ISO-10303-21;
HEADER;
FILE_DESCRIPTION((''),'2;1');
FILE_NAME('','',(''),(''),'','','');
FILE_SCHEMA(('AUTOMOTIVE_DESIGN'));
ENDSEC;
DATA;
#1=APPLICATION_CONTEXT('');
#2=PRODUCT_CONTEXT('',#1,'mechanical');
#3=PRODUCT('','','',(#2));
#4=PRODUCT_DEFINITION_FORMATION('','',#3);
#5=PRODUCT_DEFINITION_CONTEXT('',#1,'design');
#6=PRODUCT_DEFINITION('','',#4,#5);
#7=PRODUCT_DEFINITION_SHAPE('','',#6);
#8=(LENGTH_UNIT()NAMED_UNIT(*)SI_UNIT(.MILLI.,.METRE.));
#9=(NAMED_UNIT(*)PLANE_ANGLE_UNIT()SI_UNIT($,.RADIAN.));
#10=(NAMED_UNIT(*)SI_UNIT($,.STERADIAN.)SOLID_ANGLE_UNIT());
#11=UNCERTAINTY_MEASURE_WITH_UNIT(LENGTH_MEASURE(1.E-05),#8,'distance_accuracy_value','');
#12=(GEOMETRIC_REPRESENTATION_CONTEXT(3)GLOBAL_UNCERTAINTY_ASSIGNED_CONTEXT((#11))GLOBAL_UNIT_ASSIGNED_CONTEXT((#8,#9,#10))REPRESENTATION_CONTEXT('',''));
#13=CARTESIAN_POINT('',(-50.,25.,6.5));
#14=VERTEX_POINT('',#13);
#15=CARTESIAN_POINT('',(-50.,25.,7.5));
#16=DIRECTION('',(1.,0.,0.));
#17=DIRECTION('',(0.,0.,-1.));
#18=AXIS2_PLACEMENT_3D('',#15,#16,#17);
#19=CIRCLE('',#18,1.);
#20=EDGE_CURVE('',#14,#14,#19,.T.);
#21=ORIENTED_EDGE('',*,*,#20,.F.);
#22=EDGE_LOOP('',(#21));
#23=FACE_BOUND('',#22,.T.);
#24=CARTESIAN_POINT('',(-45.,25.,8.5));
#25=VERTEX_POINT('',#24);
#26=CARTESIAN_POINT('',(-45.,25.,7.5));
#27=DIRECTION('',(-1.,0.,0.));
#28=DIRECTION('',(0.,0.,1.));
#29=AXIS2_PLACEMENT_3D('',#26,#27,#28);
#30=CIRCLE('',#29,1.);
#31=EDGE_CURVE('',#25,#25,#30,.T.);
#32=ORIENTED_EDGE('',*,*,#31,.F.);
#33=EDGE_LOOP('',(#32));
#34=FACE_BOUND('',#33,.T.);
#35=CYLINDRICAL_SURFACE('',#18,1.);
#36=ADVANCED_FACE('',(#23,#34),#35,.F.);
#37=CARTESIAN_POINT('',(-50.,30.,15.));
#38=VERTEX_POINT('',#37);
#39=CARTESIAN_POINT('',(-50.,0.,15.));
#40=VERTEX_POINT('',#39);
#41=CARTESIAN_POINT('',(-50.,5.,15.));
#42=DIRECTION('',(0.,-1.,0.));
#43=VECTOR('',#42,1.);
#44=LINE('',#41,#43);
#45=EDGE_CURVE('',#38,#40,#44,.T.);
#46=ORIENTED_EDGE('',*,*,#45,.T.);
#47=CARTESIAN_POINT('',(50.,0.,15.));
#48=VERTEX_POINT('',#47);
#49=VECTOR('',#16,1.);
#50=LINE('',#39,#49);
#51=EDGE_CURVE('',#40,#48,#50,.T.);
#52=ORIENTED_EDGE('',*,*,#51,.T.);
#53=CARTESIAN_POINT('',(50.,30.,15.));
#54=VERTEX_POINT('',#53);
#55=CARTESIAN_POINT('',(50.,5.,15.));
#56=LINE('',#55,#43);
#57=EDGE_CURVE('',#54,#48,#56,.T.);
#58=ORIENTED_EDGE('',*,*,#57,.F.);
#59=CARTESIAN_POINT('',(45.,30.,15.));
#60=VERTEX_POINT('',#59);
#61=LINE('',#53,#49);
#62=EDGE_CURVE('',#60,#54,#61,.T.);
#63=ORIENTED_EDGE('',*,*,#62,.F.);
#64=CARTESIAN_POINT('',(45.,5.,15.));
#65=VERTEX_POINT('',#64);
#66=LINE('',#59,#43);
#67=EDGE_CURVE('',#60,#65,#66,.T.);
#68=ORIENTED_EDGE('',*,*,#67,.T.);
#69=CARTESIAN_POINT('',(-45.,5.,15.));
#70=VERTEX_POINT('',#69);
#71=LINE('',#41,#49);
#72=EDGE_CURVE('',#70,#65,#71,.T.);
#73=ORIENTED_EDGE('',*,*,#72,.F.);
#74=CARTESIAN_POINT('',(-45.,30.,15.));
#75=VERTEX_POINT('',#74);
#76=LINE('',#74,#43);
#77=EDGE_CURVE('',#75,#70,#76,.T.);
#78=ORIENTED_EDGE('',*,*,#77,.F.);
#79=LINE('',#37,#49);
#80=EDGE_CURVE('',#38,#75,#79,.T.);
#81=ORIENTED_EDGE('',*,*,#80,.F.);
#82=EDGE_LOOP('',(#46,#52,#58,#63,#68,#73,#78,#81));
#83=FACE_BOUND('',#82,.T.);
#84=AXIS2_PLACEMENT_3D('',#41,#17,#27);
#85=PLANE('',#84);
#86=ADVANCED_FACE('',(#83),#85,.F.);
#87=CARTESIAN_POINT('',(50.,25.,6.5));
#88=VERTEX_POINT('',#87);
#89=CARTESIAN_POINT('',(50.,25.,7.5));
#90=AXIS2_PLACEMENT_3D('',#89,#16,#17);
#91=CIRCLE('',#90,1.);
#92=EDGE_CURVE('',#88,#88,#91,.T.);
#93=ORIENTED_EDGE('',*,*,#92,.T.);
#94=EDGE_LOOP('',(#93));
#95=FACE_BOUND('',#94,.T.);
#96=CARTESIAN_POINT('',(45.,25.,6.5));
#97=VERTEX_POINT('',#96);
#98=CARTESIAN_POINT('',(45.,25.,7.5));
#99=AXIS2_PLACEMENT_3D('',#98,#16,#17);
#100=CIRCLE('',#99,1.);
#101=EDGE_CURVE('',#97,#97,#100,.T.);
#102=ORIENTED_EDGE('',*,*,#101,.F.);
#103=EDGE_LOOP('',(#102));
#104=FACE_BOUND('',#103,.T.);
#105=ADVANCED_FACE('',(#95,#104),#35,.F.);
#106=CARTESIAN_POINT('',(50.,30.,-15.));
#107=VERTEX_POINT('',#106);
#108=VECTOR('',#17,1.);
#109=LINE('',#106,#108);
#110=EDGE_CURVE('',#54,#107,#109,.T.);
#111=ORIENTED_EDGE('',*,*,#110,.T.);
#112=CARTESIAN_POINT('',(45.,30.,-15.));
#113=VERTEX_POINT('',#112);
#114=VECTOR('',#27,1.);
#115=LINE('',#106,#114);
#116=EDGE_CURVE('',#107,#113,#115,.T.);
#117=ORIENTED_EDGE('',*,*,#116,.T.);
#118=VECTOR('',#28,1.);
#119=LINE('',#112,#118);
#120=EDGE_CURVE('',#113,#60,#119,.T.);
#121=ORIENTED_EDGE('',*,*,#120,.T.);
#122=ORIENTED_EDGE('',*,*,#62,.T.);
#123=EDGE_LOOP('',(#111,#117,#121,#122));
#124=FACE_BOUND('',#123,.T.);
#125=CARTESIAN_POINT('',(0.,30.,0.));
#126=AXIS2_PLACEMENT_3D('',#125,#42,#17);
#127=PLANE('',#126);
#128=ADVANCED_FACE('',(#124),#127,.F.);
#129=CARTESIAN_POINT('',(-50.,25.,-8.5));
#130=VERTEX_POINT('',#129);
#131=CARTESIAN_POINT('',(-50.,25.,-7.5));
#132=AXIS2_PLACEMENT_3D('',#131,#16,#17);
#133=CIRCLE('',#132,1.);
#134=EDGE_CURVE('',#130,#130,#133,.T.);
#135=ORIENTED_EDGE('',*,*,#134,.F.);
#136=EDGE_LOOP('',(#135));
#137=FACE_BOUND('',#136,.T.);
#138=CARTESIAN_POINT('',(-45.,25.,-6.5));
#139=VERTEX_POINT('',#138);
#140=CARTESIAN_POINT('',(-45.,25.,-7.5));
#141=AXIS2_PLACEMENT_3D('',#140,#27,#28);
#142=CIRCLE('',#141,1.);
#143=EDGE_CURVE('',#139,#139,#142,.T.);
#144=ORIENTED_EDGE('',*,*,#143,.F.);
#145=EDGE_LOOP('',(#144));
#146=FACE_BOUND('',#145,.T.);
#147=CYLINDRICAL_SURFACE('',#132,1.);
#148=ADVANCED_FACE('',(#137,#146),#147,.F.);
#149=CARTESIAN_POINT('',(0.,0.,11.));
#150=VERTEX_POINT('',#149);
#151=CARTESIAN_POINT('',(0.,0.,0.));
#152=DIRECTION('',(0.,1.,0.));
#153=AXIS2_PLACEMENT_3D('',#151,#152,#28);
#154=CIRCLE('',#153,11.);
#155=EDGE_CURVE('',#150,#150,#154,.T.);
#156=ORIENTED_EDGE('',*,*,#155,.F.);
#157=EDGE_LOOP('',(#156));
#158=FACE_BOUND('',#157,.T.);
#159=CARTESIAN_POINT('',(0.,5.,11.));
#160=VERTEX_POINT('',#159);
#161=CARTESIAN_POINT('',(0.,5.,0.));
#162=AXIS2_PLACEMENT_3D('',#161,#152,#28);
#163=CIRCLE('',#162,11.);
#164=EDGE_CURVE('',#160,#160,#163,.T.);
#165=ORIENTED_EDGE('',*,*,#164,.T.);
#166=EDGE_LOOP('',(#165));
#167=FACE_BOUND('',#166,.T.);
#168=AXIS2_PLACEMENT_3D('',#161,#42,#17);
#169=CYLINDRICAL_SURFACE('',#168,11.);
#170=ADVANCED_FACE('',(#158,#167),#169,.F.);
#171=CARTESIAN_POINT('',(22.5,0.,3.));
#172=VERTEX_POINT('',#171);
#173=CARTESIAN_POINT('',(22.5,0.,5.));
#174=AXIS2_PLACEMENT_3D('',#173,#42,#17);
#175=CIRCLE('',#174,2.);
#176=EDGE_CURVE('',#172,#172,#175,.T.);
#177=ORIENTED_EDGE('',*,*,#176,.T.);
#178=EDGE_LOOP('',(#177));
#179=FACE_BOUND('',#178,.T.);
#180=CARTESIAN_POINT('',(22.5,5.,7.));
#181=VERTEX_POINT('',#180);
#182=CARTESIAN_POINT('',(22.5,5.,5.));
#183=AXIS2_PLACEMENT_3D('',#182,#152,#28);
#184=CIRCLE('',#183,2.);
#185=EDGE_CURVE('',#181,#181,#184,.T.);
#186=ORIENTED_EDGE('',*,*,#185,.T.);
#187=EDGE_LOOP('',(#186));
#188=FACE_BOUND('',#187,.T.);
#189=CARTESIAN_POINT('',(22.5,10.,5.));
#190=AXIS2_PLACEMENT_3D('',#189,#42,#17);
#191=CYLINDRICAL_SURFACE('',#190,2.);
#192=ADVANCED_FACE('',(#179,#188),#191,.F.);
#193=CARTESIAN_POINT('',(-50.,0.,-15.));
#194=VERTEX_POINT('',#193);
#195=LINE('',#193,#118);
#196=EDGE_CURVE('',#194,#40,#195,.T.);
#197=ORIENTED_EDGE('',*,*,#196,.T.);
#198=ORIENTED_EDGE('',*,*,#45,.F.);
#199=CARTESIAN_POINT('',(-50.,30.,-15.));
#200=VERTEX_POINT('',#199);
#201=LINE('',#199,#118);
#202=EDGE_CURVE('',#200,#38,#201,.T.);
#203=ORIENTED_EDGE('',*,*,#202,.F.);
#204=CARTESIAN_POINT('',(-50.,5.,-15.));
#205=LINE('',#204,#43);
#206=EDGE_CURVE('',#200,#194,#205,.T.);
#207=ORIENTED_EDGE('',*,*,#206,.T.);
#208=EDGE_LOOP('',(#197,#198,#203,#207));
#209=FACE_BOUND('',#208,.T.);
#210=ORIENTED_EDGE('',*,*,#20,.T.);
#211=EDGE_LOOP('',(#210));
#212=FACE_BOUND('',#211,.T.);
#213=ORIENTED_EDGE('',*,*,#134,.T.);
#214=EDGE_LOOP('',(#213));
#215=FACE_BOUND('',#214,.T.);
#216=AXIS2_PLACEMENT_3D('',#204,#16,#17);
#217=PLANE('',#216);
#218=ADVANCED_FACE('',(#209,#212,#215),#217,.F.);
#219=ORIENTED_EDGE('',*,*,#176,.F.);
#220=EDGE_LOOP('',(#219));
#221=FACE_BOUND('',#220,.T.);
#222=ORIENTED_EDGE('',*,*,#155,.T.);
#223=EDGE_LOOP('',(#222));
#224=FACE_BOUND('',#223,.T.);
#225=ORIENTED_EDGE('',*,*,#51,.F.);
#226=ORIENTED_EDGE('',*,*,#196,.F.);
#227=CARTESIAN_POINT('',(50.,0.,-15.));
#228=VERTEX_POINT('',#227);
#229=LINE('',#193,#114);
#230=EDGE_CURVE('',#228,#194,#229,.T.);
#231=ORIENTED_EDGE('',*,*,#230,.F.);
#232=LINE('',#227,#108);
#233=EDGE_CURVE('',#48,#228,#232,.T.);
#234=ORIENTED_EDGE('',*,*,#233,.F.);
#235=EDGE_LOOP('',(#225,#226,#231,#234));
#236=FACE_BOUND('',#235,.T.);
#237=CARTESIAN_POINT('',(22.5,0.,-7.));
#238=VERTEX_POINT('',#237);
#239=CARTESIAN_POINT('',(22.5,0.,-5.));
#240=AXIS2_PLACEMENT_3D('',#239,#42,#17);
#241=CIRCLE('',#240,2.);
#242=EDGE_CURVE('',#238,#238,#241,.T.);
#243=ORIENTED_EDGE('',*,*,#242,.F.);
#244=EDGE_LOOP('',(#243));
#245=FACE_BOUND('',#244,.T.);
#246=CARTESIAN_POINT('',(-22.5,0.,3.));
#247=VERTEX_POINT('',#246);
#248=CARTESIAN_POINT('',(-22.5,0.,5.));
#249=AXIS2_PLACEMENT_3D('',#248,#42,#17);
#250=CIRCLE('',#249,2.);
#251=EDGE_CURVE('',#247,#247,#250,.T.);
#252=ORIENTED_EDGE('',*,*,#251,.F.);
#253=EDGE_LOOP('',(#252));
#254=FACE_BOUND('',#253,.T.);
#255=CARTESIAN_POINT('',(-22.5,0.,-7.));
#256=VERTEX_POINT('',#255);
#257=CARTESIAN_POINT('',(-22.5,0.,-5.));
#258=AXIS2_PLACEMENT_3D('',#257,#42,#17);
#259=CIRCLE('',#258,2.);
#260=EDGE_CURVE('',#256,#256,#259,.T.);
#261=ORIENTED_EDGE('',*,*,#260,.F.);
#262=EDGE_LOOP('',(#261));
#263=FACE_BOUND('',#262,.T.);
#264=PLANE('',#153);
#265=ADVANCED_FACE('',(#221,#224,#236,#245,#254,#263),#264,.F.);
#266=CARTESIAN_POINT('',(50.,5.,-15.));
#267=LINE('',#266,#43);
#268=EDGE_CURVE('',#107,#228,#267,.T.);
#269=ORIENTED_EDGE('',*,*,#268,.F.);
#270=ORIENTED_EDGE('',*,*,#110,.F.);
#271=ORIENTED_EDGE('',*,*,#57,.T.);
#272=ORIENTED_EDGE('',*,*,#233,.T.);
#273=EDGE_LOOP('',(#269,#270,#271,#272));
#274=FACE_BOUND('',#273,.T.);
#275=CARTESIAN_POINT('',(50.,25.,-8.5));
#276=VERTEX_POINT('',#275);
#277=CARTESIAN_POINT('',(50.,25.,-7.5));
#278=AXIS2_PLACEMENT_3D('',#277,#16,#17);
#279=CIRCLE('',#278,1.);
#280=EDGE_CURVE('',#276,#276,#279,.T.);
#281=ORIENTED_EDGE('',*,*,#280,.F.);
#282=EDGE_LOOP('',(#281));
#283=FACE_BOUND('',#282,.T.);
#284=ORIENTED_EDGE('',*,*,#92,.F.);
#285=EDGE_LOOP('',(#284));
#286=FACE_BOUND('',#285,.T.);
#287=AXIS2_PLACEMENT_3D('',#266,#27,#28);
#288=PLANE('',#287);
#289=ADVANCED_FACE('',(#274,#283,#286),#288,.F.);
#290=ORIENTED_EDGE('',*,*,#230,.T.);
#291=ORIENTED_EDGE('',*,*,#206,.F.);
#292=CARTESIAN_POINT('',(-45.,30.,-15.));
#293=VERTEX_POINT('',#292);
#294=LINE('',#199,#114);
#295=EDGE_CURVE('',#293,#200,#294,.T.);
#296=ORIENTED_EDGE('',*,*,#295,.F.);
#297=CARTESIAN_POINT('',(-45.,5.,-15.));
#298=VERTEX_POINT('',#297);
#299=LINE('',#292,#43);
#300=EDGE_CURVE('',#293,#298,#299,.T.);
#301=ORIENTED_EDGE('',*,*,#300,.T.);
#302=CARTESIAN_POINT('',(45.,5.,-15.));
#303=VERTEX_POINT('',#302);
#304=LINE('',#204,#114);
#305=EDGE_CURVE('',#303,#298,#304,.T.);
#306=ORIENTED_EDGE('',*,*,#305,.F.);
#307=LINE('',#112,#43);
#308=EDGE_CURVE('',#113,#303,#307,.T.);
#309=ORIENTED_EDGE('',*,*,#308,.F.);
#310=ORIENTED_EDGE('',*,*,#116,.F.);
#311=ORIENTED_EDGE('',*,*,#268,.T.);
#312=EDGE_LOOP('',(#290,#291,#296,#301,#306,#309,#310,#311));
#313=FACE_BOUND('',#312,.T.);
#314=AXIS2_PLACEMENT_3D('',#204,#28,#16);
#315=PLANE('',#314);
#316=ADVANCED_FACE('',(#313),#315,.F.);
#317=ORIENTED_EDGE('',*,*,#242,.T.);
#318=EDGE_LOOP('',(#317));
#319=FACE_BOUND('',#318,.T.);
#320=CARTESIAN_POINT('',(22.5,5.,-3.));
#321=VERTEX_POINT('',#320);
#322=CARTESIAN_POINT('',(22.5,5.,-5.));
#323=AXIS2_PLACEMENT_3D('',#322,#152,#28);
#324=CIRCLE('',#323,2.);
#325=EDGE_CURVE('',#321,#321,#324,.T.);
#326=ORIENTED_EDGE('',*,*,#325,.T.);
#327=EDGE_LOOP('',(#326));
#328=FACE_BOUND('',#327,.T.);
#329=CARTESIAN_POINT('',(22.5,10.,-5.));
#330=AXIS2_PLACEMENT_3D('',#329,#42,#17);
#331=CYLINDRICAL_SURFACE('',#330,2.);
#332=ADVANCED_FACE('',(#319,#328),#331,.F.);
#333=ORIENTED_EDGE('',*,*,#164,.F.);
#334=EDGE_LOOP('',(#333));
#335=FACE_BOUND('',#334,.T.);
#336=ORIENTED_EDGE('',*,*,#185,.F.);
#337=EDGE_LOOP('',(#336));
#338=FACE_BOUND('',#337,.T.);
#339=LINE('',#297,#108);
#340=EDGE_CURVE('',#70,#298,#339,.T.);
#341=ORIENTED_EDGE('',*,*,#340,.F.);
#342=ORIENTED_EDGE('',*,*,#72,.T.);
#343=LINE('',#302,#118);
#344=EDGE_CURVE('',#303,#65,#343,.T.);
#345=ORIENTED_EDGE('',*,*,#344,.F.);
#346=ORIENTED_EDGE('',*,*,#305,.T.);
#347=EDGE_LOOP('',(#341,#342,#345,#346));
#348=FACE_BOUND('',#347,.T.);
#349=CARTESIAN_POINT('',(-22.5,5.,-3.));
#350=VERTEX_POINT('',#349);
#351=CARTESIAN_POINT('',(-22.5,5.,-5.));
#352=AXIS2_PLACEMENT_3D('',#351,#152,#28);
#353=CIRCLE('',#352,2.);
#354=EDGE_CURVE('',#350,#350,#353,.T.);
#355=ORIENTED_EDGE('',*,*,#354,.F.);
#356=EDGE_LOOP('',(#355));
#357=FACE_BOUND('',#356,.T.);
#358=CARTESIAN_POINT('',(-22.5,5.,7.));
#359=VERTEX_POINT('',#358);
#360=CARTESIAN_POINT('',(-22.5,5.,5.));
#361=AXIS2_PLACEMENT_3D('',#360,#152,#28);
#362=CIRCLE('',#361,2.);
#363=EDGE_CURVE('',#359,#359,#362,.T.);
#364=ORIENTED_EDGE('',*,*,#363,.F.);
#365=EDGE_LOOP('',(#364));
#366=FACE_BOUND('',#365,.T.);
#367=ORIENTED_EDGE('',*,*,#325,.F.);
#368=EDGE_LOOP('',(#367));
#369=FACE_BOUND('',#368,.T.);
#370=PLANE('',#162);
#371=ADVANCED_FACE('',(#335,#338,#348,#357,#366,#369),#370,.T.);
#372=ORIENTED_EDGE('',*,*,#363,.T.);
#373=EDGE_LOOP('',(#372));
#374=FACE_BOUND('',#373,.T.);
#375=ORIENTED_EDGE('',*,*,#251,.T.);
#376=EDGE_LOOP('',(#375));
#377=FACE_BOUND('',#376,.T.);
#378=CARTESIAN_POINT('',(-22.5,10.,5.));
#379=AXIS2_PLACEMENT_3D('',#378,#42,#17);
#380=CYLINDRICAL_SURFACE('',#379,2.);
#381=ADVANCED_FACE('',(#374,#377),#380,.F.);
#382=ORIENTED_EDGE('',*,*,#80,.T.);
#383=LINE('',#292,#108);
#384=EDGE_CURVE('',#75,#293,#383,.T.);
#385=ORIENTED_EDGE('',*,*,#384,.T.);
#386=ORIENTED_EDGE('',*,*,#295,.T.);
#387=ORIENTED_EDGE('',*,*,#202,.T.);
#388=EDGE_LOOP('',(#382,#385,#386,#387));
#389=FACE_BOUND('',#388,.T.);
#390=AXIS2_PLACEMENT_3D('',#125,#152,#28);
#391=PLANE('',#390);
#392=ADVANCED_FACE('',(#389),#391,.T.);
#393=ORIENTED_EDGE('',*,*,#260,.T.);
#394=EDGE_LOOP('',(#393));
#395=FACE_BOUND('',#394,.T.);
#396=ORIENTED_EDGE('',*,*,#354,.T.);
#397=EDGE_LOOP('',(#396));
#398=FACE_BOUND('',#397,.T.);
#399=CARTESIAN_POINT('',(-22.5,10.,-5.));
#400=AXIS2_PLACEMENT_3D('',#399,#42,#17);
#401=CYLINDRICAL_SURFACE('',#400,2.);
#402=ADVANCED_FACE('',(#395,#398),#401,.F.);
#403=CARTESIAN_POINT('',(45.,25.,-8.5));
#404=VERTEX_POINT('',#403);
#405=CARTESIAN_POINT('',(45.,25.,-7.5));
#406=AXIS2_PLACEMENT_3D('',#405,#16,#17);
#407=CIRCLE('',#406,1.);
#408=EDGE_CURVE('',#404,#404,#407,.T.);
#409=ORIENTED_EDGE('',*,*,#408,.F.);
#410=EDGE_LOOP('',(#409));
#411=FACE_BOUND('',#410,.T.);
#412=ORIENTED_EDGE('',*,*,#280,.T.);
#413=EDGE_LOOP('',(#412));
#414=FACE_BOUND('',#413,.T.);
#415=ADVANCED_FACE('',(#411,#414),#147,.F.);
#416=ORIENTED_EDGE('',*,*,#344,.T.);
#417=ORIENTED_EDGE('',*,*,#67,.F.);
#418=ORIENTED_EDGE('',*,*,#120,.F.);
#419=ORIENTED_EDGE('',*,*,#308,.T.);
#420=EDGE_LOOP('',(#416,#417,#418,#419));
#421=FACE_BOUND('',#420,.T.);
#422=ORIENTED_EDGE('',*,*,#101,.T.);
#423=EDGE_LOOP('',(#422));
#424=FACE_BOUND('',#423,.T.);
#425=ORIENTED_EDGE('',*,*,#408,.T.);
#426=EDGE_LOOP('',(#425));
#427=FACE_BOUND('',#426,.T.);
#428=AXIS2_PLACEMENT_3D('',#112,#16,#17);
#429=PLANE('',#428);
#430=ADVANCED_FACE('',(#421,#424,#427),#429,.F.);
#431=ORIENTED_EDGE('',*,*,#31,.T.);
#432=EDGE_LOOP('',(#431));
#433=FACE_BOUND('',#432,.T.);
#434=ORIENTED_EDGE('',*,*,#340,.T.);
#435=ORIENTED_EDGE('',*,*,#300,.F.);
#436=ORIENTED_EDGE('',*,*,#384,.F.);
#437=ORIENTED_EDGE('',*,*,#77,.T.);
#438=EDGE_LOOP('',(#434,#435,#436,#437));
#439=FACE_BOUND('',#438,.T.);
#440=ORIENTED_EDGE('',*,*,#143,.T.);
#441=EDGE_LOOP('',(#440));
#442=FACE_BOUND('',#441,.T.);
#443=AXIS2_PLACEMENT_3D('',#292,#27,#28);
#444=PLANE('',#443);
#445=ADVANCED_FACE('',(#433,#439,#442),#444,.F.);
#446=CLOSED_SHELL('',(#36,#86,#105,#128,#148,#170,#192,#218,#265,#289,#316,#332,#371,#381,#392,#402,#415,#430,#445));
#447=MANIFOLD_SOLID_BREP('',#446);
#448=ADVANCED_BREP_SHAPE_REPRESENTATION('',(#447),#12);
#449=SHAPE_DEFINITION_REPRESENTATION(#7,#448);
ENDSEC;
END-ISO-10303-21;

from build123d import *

# Parameters (mm, degrees)
SKETCH2_W           = 100
SKETCH2_H           = 30
SKETCH2_R           = 11
BOSS_EXTRUDE1_DEPTH = 5
SKETCH3_W           = 5
SKETCH3_H           = 30
BOSS_EXTRUDE2_DEPTH = 25
SKETCH4_R           = 1
CUT_EXTRUDE1_DEPTH  = 106.475115549
SKETCH5_R           = 2
CUT_EXTRUDE2_DEPTH  = 10


with BuildPart() as part:
    # Sketch2 → Boss-Extrude1 (new body)
    with BuildSketch(Plane(origin=(0, 0, 0), x_dir=(1, 0, 0), z_dir=(0, 1, 0))):
        Rectangle(SKETCH2_W, SKETCH2_H)
        with Locations(Location((0, 0, 0), (0, 0, 270))):
            Circle(SKETCH2_R, mode=Mode.SUBTRACT)
    extrude(amount=BOSS_EXTRUDE1_DEPTH)

    # Sketch3 → Boss-Extrude2 (add)
    with BuildSketch(Plane(origin=(0, 5, 0), x_dir=(1, 0, 0), z_dir=(0, 1, 0))):
        with Locations((-47.5, 0)):
            Rectangle(SKETCH3_W, SKETCH3_H)
        with Locations((47.5, 0)):
            Rectangle(SKETCH3_W, SKETCH3_H)
    extrude(amount=BOSS_EXTRUDE2_DEPTH)

    # Sketch4 → Cut-Extrude1 (cut, through all)
    with BuildSketch(Plane(origin=(50, 0, 0), x_dir=(0, 0, -1), z_dir=(1, 0, 0))):
        with Locations((-7.5, 25)):
            Circle(SKETCH4_R)
        with Locations((7.5, 25)):
            Circle(SKETCH4_R)
    extrude(amount=-CUT_EXTRUDE1_DEPTH, mode=Mode.SUBTRACT)

    # Sketch5 → Cut-Extrude2 (cut)
    with BuildSketch(Plane.XZ):
        with Locations(Location((-22.5, -5, 0), (0, 0, 270))):
            Circle(SKETCH5_R)
        with Locations(Location((22.5, -5, 0), (0, 0, 270))):
            Circle(SKETCH5_R)
        with Locations(Location((-22.5, 5, 0), (0, 0, 270))):
            Circle(SKETCH5_R)
        with Locations(Location((22.5, 5, 0), (0, 0, 270))):
            Circle(SKETCH5_R)
    extrude(amount=-CUT_EXTRUDE2_DEPTH, mode=Mode.SUBTRACT)


solid = part.part
